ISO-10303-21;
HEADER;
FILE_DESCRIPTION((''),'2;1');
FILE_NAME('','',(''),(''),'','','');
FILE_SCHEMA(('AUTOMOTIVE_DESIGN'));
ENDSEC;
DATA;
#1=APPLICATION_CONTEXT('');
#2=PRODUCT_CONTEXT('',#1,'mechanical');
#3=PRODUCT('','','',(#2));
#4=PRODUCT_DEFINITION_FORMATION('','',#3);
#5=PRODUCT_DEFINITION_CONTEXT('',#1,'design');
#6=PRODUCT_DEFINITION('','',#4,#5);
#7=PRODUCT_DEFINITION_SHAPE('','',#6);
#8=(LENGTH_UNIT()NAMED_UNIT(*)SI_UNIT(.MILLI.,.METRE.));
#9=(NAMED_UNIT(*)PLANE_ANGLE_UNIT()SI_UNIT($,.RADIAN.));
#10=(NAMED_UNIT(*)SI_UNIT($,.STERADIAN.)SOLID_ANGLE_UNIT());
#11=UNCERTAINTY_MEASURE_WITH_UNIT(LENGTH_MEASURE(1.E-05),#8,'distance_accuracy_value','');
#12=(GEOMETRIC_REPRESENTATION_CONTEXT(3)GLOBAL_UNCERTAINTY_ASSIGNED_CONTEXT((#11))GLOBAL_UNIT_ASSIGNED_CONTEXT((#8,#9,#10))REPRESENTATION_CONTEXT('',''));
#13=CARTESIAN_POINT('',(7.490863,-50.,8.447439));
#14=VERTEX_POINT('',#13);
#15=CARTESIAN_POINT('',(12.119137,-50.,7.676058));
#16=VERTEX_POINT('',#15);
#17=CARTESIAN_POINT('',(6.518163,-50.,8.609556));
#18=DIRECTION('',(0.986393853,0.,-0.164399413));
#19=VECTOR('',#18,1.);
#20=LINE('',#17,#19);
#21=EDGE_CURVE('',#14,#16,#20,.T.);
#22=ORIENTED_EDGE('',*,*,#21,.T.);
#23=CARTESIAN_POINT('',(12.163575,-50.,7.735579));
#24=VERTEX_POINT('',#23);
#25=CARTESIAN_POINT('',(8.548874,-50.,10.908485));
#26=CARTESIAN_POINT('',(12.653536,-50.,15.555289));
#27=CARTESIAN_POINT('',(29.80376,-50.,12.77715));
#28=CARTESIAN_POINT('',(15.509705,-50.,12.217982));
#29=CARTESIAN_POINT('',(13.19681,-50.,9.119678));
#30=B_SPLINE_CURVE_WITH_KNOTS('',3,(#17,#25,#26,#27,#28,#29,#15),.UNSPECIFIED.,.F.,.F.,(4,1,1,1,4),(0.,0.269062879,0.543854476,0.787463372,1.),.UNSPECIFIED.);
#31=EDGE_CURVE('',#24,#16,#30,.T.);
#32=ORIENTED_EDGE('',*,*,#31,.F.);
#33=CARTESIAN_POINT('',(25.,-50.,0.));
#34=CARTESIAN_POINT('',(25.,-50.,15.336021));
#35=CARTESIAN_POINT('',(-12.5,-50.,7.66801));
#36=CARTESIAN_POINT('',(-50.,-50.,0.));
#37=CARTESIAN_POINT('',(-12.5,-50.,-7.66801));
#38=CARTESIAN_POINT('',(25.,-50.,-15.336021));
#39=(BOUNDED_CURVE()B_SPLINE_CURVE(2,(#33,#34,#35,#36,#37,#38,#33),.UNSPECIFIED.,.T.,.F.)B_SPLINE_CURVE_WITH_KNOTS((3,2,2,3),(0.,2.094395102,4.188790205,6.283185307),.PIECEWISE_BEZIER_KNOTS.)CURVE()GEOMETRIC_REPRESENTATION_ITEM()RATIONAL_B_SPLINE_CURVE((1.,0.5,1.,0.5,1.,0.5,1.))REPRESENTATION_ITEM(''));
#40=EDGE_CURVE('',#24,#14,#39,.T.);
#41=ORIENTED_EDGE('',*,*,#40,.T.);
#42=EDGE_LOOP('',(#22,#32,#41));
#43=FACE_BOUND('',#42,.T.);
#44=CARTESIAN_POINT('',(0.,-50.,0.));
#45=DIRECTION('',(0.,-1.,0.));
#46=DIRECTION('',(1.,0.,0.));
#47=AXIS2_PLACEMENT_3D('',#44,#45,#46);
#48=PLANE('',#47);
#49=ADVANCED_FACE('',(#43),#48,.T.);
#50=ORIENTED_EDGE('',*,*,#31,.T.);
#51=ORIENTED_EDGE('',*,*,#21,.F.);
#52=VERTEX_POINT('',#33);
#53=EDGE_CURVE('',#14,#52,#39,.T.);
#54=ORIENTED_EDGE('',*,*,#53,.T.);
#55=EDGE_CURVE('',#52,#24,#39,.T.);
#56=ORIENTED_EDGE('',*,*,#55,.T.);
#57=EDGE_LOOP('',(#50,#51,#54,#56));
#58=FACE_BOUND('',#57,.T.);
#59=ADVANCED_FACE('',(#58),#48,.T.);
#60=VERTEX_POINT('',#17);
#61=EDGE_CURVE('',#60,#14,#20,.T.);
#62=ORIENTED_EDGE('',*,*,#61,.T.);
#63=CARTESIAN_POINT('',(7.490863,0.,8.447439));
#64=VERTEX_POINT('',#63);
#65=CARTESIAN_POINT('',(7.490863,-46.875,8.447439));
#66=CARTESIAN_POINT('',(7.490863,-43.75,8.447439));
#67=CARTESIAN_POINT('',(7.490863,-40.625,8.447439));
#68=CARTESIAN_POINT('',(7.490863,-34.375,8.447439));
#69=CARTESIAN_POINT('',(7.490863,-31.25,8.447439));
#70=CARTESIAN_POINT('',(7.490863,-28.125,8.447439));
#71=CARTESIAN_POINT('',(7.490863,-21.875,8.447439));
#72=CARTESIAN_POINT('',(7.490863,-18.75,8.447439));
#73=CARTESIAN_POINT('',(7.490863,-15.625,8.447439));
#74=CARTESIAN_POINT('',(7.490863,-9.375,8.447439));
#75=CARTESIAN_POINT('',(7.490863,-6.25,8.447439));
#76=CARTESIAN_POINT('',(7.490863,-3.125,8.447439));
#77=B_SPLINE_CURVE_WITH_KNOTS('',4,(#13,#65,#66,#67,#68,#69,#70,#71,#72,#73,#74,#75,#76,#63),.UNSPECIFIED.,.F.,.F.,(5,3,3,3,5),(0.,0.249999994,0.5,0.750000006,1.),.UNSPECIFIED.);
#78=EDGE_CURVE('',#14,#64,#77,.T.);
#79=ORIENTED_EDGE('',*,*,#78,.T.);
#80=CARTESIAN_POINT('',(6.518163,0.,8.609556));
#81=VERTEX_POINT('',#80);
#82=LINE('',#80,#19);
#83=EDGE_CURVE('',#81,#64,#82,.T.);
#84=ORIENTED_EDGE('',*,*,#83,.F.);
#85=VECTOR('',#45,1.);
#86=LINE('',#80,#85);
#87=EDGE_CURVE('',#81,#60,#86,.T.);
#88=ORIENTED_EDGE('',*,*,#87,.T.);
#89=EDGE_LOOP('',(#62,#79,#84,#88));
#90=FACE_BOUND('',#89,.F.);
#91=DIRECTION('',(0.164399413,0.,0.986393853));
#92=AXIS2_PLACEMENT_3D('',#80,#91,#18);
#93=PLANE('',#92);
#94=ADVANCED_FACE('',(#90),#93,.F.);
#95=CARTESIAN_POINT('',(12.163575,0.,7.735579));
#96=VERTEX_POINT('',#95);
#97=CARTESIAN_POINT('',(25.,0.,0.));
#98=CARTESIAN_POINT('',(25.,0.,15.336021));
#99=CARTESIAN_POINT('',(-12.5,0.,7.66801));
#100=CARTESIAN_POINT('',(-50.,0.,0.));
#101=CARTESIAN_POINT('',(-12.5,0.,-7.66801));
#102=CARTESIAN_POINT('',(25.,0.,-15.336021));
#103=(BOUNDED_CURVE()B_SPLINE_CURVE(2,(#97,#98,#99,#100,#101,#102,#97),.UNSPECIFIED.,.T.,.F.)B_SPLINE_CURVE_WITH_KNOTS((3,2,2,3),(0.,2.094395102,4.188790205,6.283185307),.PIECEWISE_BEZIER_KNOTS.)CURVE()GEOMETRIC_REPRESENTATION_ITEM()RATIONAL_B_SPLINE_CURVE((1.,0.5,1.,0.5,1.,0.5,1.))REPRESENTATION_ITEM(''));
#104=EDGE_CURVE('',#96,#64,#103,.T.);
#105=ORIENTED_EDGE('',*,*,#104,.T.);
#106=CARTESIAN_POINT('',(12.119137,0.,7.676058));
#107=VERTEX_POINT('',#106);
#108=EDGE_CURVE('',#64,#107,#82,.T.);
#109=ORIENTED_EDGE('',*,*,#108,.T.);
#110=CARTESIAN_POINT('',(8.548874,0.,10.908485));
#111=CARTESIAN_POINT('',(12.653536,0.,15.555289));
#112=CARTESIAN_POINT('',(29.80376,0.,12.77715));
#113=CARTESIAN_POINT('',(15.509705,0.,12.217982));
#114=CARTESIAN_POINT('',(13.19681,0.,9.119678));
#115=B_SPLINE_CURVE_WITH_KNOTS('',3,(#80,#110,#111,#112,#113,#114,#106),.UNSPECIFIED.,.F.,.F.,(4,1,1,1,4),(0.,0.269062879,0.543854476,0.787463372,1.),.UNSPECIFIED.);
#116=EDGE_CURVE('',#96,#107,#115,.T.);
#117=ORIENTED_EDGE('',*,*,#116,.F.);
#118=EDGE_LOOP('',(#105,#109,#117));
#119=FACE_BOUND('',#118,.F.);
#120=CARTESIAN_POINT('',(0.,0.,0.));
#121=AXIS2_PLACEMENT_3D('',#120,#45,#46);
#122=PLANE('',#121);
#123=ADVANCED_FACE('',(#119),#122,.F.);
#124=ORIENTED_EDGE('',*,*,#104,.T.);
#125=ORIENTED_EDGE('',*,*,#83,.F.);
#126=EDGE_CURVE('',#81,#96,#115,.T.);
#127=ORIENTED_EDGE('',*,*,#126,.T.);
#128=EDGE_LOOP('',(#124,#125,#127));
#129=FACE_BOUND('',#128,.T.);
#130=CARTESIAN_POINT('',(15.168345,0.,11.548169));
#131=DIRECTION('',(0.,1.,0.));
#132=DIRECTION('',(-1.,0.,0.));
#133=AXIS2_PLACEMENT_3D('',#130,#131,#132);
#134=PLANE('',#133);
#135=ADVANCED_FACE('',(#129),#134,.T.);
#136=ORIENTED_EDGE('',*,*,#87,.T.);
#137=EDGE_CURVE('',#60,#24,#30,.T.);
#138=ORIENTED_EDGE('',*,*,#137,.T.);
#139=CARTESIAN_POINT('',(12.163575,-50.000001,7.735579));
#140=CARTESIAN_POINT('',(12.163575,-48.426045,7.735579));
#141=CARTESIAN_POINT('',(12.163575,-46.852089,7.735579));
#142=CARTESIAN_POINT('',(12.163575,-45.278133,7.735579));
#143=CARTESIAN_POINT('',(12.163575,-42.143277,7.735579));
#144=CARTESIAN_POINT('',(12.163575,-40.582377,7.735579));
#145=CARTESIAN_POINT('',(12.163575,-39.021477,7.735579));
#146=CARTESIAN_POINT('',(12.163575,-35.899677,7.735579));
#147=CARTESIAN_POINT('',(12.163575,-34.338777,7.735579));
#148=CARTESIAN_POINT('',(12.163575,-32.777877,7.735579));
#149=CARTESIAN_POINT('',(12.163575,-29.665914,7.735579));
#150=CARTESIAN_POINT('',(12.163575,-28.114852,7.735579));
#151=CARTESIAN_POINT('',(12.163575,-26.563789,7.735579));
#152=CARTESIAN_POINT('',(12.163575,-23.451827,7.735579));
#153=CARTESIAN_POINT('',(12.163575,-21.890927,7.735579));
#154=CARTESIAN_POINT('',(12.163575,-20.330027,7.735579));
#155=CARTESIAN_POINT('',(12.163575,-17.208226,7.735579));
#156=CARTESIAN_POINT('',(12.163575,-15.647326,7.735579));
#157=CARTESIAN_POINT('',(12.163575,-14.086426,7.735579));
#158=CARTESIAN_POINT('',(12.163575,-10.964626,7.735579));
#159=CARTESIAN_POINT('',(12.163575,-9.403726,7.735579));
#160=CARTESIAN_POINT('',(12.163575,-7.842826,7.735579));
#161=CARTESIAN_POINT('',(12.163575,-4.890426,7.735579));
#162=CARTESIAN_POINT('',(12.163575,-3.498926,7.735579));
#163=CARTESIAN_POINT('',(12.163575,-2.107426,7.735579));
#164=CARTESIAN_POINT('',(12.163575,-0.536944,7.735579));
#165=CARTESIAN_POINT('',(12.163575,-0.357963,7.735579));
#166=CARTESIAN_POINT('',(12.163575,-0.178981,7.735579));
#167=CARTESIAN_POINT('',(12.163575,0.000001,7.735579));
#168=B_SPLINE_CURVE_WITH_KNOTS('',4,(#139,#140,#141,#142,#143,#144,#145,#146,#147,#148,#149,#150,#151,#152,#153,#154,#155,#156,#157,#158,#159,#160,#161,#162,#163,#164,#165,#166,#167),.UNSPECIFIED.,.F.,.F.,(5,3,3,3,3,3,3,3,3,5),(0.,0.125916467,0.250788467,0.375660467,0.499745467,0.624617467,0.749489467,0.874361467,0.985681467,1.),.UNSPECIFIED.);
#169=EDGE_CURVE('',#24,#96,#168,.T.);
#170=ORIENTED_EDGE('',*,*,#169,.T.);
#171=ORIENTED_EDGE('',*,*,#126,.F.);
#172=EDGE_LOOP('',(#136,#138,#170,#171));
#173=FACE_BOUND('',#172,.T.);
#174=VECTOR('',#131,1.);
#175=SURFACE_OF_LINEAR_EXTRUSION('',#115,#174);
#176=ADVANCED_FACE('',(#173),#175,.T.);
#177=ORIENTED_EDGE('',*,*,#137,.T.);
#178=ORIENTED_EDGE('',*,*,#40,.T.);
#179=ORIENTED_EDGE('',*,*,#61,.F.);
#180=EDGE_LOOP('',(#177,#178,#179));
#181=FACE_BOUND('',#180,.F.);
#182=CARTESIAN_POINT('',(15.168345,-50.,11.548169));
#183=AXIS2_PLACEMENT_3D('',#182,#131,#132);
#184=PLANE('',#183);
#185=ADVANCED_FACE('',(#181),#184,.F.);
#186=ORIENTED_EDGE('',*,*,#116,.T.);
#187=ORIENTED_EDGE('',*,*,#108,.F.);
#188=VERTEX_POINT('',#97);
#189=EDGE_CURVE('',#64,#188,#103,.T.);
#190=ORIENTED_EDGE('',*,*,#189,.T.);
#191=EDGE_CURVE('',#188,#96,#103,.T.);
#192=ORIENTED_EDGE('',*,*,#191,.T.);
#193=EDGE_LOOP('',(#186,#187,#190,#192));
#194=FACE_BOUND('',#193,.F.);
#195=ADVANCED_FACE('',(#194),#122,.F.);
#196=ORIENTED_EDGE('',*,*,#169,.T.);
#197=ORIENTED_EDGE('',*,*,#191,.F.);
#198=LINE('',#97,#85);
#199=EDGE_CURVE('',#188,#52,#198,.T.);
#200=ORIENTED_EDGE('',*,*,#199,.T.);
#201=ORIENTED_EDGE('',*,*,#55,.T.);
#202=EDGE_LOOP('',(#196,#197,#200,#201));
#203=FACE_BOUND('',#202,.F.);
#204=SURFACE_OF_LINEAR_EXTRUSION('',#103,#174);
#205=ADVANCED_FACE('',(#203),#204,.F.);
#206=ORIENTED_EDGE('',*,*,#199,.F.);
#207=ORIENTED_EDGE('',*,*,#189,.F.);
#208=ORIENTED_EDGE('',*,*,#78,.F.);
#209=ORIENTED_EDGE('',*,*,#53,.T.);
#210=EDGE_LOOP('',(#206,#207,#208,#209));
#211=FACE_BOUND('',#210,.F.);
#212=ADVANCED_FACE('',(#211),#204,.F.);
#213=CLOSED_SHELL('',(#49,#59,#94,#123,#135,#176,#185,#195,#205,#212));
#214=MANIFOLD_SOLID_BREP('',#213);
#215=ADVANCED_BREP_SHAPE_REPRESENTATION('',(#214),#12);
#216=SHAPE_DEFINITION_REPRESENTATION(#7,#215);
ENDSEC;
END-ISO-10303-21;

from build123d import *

# Parameters (mm, degrees)
F1_DEPTH = 50
F3_DEPTH = 50


with BuildPart() as f1:
    # F0 (on Front) → F1 (new body)
    with BuildSketch(Plane.XZ):
        with BuildLine():
            add(Edge.make_bspline(
                [(25, 0), (25, 15.3360205654), (-12.5, 7.6680102827), (-50, 0), (-12.5, -7.6680102827), (25, -15.3360205654), (25, 0)],
                knots=[0, 0, 0, 2.0943951024, 2.0943951024, 4.1887902048, 4.1887902048, 6.2831853072, 6.2831853072, 6.2831853072], degree=2, weights=[1, 0.5, 1, 0.5, 1, 0.5, 1]))
        make_face()
    extrude(amount=F1_DEPTH)

    # F2 (on Front) → F3 (join)
    with BuildSketch(Plane.XZ):
        with BuildLine():
            add(Edge.make_bspline(
                [(6.518162787, 8.6095556617), (8.548874499, 10.9084846579), (12.6535357781, 15.55528948), (29.8037597084, 12.7771499916), (15.5097047083, 12.2179824208), (13.196809546, 9.1196778573), (12.1191367507, 7.6760575175)],
                knots=[0, 0, 0, 0, 0.2690628787, 0.5438544762, 0.7874633719, 1, 1, 1, 1], degree=3))
            Line((6.518162787, 8.6095556617), (12.1191367507, 7.6760575175))
        make_face()
    extrude(amount=F3_DEPTH)


solid = f1.part
